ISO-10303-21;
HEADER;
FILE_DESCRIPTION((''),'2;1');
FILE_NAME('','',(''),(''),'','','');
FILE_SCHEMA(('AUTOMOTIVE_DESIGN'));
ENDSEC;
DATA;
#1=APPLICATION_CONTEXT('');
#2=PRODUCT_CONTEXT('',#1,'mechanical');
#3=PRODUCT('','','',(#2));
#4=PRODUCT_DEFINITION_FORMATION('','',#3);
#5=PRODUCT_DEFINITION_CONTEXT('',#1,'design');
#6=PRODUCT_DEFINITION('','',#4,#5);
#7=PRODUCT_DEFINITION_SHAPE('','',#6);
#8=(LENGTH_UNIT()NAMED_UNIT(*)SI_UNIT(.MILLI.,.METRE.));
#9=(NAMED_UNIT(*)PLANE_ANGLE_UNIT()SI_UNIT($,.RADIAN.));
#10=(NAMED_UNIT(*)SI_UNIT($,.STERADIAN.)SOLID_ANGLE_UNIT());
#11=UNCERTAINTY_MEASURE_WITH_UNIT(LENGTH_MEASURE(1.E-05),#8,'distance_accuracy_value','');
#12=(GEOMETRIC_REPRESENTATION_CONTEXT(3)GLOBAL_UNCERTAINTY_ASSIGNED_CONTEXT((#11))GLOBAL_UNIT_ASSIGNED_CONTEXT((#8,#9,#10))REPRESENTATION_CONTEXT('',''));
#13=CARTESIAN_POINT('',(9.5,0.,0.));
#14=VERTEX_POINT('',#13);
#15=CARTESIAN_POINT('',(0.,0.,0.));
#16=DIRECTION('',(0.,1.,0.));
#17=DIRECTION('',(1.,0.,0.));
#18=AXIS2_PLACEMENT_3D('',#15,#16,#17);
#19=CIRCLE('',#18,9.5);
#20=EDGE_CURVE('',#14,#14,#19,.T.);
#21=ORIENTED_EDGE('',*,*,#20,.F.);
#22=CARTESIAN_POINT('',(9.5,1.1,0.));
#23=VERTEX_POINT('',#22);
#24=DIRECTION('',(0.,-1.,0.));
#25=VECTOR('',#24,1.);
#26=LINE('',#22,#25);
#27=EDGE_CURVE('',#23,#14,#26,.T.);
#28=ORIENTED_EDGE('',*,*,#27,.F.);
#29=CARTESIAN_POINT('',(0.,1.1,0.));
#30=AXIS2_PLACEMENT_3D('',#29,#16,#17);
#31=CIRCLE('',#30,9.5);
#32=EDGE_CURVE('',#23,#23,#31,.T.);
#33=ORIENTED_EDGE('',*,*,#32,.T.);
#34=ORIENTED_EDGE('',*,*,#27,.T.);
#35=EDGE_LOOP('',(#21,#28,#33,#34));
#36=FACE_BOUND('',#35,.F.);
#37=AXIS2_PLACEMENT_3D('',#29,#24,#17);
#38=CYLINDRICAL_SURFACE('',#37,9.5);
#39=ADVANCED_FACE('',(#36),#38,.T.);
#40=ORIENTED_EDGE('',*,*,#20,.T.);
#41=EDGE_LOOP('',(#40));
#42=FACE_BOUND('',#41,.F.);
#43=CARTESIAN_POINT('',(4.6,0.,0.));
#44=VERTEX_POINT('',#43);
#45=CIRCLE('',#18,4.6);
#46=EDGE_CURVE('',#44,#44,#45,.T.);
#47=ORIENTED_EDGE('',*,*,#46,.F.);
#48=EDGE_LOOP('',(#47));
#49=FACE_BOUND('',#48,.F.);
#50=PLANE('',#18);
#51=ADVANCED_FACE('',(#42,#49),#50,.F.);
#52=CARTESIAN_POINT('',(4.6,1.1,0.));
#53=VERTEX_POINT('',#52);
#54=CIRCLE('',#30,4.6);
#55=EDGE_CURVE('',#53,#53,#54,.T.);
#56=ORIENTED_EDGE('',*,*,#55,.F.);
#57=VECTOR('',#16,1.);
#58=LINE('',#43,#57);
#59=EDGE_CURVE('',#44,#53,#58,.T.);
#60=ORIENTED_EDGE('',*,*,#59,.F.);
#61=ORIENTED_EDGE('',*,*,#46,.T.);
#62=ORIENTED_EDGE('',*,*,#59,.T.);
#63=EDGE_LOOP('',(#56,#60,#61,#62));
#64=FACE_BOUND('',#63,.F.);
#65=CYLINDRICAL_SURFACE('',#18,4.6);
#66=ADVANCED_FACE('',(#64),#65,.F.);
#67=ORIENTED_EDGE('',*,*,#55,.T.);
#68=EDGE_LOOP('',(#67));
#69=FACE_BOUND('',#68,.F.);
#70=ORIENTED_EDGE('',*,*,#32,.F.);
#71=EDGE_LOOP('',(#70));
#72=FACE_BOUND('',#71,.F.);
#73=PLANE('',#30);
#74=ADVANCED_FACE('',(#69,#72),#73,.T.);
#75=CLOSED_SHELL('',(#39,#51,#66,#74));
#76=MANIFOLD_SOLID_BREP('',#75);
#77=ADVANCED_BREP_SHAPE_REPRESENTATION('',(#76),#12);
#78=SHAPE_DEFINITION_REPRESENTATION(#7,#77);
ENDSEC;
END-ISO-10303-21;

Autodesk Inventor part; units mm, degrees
ref_plane "YZ Plane" through (0, 0, 0) normal (1, 0, 0) x (0, 1, 0)
ref_plane "XZ Plane" through (0, 0, 0) normal (0, 1, 0) x (-1, 0, 0)
ref_plane "XY Plane" through (0, 0, 0) normal (0, 0, 1) x (1, 0, 0)
sketch "Schizzo4" plane through (0, 0, 0) normal (0, 0, 1) x (1, 0, 0)
  line L0 (0, 0) -> (0, 1.1)
  line L1 (4.6, 0) -> (4.6, 1.1)
  line L2 (4.6, 1.1) -> (9.5, 1.1)
  line L3 (9.5, 1.1) -> (9.5, 0)
  line L4 (9.5, 0) -> (4.6, 0)
  dimension "d0" = 1.1
  dimension "d1" = 9.2
  dimension "d2" = 19
revolve "Rivoluzione1" add sketch "Schizzo4" angle 360 about axis through (0, 0, 0) along (0, 1, 0)
properties part number "Metal Washer (RAM-201U-B)" material "Acciaio"
